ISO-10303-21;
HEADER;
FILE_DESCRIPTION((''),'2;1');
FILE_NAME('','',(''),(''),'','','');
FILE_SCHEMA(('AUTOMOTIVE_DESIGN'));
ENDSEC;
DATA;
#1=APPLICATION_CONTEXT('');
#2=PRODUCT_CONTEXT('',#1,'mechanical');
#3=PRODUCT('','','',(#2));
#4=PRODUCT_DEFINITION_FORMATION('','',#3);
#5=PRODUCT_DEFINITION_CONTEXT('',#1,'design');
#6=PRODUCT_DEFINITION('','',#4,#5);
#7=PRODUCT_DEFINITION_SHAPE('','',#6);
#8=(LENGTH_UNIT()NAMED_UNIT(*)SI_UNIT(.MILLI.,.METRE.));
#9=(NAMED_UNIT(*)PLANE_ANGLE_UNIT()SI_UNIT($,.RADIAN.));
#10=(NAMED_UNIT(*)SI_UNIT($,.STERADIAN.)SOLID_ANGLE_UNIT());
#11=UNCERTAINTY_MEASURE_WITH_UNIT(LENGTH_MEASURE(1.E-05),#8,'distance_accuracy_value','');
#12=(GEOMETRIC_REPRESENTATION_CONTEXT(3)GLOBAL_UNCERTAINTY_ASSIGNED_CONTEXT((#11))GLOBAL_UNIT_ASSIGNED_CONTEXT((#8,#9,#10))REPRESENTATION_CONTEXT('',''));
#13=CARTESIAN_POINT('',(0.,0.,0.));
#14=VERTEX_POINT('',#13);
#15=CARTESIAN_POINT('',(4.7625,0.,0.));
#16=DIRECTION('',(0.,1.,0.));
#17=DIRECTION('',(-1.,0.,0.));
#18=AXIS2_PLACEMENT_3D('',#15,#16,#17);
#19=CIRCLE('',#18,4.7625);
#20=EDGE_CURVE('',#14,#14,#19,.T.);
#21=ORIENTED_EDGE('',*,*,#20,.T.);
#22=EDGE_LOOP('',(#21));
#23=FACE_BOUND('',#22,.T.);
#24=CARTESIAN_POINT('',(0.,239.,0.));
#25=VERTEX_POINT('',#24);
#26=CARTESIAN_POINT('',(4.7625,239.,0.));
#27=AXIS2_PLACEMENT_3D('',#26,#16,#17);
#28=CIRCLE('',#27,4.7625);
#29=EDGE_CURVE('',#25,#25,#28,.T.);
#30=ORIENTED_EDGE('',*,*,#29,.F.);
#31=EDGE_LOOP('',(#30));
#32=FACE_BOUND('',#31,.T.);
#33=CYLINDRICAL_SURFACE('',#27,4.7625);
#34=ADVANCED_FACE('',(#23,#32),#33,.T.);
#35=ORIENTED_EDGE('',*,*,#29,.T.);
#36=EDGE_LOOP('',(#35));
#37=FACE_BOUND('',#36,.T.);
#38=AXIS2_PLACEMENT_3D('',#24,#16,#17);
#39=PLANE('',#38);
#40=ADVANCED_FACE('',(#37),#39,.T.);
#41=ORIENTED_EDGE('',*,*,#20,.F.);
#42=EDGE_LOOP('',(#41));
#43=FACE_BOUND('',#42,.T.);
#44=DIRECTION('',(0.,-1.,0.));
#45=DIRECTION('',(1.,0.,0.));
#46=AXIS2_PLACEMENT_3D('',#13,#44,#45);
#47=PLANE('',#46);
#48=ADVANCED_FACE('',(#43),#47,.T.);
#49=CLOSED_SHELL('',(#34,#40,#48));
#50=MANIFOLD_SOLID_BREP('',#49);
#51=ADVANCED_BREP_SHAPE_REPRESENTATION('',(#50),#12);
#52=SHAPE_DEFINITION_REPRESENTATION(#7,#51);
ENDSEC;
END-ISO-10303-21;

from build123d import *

# Parameters (mm, degrees)
SKETCH1_W = 4.7625
SKETCH1_H = 239


with BuildPart() as part:
    # Sketch1 → Revolve1 (revolve)
    with BuildSketch(Plane.XY):
        with Locations((2.38125, 119.5)):
            Rectangle(SKETCH1_W, SKETCH1_H)
    revolve(axis=Axis((4.7625, 239, 0), (0, -1, 0)))


solid = part.part
